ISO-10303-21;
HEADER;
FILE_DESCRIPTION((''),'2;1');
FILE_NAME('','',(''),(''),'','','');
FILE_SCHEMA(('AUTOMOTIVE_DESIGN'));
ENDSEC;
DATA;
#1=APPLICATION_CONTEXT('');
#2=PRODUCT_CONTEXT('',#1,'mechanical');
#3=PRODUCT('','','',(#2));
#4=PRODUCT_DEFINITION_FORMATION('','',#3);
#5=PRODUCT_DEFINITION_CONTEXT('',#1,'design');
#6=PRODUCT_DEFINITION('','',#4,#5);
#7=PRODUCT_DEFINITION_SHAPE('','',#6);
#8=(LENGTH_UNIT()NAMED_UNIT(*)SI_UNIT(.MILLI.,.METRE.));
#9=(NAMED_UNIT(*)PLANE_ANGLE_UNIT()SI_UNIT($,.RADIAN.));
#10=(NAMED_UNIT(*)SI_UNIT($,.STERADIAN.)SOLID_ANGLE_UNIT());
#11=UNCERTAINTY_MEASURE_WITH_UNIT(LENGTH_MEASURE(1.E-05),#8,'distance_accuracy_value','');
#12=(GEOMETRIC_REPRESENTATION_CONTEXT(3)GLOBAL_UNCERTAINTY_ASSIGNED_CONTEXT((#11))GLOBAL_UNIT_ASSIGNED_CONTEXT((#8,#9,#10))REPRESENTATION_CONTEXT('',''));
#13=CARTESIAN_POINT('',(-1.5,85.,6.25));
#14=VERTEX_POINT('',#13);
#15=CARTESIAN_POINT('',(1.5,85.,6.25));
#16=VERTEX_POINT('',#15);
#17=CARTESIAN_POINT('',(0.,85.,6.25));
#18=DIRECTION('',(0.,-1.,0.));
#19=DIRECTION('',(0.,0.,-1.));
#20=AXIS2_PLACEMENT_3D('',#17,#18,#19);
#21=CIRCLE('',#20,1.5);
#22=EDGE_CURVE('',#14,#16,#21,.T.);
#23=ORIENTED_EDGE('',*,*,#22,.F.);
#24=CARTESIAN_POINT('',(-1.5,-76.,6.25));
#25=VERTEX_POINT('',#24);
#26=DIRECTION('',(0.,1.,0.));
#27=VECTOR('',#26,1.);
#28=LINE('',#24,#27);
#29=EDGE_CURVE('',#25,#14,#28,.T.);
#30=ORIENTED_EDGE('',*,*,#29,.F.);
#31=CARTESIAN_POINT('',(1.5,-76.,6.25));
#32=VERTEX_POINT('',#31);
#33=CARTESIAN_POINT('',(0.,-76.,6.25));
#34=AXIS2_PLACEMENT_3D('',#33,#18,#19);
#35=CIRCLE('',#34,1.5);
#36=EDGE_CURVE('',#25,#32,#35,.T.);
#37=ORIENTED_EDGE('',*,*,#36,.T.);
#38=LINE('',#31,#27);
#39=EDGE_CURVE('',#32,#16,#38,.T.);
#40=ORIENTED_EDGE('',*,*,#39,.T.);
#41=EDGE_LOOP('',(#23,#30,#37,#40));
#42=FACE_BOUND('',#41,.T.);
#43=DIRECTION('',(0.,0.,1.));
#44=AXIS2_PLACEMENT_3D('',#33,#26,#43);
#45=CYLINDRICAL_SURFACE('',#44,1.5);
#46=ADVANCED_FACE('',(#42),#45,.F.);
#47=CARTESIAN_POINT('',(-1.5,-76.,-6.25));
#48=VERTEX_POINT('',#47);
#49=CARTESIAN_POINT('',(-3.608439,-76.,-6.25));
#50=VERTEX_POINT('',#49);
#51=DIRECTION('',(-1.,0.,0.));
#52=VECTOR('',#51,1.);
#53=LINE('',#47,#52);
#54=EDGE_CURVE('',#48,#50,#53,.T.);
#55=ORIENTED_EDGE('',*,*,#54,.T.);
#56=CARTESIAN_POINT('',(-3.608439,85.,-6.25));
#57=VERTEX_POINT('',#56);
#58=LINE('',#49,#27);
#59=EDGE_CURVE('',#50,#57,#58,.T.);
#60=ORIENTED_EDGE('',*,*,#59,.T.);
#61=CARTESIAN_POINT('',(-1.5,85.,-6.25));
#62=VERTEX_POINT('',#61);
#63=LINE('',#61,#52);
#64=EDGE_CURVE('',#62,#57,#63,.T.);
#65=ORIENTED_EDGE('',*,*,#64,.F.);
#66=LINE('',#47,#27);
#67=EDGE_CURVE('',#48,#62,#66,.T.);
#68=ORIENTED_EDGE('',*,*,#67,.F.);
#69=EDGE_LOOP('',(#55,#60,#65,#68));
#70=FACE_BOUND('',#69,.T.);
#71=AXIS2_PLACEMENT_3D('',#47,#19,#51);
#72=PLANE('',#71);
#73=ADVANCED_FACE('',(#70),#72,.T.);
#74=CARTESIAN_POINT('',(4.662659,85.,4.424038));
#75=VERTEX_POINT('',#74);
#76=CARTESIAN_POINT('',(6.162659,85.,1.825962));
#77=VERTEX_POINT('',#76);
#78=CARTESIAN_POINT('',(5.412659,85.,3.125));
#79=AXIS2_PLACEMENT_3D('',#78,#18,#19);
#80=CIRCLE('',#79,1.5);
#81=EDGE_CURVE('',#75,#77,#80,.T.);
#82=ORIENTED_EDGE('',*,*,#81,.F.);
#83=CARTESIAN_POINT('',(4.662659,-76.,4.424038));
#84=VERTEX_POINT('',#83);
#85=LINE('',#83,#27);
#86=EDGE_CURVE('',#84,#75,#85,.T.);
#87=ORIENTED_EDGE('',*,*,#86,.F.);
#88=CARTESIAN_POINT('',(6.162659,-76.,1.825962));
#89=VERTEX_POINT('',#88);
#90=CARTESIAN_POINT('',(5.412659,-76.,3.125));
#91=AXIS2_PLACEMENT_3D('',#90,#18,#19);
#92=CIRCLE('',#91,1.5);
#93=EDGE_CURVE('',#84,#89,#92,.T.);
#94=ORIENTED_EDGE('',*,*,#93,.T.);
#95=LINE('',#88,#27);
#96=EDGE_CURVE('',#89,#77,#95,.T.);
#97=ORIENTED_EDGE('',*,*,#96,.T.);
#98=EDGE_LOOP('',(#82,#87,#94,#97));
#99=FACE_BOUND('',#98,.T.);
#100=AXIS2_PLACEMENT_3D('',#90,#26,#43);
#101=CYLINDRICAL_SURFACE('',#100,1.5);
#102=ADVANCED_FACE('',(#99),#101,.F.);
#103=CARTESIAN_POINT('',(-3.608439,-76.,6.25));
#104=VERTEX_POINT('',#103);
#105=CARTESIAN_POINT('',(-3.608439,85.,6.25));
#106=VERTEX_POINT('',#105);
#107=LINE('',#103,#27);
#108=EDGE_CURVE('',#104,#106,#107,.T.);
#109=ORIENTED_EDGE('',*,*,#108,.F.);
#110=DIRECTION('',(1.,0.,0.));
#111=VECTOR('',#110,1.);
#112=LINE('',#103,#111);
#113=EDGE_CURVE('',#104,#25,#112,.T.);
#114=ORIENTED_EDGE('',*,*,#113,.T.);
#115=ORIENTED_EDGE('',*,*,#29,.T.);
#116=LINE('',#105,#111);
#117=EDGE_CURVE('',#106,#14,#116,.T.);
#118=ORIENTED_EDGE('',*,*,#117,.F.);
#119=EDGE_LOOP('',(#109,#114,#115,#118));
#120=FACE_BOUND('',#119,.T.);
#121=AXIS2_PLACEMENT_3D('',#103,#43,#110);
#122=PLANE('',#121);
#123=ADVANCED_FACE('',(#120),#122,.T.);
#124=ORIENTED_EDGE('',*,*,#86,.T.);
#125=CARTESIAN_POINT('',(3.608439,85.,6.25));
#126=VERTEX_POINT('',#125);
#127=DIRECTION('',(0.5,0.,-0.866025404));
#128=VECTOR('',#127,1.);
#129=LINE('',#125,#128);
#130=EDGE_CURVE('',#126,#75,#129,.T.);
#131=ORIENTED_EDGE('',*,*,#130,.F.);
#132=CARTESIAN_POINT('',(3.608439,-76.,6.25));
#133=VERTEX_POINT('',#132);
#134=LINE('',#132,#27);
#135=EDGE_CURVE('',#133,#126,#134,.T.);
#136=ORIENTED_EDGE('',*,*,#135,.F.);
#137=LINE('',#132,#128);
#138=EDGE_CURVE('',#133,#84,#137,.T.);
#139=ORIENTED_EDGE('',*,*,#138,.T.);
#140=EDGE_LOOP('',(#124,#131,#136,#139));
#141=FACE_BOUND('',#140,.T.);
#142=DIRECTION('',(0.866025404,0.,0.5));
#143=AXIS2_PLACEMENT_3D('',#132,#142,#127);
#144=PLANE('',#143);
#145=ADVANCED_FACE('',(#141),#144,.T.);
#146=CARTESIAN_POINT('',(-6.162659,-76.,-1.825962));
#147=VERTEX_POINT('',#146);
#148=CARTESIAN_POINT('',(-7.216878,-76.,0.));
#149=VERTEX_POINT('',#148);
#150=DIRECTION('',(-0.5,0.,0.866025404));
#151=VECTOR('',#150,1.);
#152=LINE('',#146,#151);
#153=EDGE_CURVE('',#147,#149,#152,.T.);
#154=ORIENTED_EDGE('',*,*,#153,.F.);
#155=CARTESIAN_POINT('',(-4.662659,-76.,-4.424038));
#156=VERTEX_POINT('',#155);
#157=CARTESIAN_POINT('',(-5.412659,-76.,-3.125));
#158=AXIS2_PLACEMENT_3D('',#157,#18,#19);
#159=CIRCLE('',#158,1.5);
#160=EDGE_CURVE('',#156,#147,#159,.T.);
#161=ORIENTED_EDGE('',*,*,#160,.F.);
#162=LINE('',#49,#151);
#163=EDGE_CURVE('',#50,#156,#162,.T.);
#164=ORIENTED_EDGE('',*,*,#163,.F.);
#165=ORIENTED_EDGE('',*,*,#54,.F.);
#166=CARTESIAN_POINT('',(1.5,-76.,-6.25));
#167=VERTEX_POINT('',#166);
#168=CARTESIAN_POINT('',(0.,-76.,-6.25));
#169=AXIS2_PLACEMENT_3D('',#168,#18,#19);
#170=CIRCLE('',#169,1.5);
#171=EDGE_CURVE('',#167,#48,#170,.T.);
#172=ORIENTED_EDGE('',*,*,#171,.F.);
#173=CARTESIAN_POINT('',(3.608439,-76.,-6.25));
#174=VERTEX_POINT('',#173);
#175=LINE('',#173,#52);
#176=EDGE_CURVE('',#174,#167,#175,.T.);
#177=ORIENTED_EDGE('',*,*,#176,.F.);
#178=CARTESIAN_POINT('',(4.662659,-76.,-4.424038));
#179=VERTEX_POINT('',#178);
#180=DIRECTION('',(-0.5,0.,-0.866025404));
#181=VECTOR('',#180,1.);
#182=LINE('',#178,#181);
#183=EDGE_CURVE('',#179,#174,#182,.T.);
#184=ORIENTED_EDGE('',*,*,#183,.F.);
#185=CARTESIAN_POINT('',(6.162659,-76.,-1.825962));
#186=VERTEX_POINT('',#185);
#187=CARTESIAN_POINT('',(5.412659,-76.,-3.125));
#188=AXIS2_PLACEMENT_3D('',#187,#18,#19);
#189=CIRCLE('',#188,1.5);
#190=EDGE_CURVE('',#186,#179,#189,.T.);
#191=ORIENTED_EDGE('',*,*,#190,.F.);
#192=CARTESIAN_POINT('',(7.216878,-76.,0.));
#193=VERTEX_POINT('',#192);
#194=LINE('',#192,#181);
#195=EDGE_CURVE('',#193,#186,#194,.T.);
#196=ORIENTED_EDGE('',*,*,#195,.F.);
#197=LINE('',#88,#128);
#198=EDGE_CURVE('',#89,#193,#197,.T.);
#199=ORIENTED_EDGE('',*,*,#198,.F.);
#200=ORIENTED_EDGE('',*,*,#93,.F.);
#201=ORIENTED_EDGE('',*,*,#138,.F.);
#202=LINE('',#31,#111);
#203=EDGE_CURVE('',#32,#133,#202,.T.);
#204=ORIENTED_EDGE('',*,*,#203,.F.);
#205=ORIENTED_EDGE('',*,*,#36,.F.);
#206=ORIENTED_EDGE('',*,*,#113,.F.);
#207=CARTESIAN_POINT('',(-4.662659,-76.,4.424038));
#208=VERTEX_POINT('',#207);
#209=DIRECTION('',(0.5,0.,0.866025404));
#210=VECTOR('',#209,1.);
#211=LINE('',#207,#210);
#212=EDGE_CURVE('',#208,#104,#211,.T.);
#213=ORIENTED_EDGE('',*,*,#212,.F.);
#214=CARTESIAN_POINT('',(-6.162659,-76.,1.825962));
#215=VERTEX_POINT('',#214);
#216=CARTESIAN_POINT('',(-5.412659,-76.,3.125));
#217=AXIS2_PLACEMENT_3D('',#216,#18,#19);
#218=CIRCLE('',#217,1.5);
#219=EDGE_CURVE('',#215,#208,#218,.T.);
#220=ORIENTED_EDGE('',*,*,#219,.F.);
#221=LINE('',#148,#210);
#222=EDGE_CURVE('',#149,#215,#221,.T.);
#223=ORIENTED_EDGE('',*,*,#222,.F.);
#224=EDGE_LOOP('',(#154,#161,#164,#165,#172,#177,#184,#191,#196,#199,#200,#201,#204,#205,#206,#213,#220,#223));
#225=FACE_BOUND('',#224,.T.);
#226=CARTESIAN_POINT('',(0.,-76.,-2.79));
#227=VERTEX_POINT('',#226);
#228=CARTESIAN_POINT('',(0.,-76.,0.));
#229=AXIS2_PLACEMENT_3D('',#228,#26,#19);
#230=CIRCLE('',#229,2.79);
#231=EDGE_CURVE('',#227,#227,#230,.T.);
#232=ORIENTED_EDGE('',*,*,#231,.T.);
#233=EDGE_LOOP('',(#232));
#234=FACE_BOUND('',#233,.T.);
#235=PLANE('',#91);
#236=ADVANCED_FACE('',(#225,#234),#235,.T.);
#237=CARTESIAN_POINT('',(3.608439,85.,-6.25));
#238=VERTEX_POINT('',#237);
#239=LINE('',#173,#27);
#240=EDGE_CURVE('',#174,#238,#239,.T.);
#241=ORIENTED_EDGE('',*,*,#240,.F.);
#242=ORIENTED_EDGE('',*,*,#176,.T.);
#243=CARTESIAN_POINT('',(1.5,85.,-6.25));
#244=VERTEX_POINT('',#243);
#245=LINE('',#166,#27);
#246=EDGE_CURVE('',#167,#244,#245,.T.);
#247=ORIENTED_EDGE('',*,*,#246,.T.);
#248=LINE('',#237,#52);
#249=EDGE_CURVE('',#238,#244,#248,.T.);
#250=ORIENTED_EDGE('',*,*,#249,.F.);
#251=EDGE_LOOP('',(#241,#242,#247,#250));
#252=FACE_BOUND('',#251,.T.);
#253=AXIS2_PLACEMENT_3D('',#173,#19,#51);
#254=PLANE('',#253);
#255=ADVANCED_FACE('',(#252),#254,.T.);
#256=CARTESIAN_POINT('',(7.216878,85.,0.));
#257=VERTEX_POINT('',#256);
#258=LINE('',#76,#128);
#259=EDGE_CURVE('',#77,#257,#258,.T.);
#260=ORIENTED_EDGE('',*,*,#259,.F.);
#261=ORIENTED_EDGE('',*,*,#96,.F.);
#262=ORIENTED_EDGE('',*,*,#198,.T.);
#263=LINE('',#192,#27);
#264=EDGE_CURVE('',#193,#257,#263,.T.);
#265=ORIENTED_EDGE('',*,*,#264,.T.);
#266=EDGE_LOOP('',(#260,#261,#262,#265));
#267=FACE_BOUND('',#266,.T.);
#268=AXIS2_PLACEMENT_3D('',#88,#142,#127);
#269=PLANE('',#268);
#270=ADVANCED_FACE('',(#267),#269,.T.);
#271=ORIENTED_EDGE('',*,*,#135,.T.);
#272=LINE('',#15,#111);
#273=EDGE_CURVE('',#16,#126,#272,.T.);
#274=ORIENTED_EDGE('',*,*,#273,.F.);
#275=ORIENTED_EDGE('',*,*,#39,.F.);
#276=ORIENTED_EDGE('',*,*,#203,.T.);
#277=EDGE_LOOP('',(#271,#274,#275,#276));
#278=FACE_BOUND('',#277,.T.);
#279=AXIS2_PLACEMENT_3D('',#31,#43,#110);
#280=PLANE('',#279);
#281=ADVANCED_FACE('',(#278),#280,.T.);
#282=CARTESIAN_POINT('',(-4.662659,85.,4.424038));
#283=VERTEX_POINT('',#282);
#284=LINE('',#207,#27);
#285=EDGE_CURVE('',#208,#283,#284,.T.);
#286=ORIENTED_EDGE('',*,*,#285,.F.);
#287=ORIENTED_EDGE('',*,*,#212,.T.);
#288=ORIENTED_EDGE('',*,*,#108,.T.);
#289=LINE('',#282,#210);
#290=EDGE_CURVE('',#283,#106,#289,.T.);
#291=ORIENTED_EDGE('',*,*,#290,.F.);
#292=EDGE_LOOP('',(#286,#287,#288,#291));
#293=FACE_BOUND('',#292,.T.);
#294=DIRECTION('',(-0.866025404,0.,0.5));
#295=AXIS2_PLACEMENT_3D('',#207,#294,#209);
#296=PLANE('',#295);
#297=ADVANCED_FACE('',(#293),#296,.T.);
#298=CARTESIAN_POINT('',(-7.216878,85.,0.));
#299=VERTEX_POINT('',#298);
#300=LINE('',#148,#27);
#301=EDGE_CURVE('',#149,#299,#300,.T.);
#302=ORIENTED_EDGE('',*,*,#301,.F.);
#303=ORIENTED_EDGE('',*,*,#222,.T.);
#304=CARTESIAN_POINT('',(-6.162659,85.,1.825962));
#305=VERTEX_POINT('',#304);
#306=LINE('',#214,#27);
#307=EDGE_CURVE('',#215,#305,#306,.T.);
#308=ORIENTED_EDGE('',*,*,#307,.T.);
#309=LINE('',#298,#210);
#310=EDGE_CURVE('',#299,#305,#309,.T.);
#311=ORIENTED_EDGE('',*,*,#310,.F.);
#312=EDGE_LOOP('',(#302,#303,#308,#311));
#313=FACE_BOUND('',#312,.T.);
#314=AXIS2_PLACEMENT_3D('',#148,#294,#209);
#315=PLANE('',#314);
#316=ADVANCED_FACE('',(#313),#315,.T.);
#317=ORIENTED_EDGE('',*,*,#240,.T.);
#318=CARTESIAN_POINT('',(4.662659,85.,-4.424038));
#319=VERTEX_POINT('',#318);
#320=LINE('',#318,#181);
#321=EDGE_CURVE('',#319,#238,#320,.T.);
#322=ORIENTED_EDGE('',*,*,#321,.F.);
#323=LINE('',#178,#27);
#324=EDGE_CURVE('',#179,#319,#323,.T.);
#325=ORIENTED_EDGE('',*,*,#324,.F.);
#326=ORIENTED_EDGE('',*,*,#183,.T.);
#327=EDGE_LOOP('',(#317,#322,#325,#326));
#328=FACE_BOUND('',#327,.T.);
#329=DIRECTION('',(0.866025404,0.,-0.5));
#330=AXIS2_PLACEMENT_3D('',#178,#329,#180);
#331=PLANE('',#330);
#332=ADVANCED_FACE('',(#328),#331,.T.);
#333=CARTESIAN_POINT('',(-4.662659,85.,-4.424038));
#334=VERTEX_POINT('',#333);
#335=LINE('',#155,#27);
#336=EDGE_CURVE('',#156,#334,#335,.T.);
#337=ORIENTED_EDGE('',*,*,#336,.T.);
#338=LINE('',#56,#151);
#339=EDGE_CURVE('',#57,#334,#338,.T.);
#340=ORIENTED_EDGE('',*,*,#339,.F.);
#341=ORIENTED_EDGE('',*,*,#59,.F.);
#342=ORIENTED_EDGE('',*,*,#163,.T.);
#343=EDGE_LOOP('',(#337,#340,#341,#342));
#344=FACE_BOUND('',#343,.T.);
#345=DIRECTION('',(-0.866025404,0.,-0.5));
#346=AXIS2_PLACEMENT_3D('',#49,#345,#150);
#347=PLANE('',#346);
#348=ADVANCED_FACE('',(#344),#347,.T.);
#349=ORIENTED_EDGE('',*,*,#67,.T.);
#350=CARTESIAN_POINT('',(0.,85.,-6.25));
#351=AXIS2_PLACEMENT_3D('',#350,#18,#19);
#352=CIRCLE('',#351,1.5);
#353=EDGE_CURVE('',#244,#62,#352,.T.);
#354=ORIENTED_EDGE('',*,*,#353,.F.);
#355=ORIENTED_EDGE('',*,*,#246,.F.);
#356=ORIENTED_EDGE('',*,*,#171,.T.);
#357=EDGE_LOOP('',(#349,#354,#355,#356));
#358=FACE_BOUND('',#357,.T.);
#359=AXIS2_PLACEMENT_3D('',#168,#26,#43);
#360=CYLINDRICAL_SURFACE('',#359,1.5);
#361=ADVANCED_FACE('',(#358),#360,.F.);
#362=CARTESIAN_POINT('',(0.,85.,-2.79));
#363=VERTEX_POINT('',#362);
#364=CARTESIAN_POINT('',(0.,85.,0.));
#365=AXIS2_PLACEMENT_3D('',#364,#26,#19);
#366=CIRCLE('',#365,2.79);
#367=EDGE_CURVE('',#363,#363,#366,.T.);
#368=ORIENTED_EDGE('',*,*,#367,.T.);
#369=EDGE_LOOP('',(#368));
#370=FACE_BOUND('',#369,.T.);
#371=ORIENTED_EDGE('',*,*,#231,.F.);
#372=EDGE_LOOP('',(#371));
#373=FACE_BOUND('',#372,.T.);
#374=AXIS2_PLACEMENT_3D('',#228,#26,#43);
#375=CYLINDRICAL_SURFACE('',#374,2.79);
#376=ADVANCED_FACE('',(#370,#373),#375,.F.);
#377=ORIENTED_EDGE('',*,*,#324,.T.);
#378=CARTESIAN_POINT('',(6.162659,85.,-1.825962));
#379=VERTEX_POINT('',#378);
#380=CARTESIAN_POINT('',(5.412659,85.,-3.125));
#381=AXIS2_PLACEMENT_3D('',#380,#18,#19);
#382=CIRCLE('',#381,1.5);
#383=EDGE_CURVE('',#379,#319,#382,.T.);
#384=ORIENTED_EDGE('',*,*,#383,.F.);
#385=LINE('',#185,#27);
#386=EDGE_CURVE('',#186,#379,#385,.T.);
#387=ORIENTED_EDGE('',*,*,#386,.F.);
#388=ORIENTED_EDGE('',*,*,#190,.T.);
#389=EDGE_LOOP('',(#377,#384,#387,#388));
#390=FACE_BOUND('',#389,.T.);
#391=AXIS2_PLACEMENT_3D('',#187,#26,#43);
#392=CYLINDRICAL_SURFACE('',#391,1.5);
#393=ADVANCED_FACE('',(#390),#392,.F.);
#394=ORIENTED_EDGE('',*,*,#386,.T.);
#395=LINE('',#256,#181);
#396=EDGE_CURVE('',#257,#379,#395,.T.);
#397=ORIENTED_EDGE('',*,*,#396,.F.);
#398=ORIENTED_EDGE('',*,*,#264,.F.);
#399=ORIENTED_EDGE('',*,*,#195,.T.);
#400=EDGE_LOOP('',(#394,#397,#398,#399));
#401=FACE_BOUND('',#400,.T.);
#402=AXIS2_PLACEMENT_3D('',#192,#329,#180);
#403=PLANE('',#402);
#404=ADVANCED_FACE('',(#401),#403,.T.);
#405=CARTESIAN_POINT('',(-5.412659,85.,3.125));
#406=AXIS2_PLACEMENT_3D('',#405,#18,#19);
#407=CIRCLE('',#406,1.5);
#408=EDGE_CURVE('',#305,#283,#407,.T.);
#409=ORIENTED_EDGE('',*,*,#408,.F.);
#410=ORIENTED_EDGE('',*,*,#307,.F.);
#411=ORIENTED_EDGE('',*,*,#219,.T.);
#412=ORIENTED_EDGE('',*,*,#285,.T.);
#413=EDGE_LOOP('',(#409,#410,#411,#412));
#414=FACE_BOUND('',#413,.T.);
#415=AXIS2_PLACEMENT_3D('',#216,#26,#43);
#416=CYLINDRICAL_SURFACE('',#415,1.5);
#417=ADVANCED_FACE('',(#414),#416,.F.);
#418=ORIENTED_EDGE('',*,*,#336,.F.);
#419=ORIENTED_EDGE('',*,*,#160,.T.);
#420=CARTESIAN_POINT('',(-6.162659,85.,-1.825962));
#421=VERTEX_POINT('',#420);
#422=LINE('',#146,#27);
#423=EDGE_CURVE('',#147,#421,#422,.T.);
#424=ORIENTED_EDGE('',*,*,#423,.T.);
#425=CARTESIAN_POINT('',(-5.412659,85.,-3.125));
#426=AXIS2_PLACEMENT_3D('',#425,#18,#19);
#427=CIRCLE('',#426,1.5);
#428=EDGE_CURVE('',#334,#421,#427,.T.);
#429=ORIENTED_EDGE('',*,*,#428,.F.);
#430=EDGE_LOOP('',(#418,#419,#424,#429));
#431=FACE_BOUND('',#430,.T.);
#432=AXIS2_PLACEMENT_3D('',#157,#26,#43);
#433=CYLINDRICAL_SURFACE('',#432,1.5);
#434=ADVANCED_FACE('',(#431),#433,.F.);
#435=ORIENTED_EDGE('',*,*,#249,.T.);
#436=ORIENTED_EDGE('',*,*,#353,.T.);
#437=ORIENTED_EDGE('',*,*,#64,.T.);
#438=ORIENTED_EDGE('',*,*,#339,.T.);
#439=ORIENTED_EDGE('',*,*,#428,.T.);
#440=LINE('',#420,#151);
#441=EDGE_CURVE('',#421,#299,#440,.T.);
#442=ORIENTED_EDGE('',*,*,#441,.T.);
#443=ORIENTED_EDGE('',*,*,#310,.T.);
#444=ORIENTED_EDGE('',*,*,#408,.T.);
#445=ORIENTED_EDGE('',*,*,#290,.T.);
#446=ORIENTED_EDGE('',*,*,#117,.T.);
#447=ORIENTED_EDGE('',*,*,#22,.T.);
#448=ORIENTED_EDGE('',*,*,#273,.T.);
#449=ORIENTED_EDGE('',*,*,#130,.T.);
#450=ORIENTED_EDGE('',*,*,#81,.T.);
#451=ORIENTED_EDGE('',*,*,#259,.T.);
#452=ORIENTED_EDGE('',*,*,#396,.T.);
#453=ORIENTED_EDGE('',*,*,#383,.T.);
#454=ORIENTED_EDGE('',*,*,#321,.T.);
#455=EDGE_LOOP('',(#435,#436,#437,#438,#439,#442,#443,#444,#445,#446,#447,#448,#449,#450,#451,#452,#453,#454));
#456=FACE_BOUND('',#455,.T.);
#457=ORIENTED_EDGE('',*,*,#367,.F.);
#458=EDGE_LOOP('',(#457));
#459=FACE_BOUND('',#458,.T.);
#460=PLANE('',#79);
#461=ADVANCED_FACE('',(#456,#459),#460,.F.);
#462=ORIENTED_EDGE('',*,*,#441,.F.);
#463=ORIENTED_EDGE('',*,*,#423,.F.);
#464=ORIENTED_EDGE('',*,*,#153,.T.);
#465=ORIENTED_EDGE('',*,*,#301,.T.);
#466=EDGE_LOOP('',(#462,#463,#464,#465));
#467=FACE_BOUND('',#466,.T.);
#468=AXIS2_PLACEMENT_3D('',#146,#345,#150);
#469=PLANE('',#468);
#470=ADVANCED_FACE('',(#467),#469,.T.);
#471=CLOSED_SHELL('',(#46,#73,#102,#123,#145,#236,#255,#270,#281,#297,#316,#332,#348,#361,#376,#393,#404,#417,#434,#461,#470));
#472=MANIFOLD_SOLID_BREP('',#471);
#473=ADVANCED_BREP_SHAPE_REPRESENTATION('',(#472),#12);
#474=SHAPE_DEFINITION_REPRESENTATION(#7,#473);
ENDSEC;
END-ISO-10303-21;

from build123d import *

# Parameters (mm, degrees)
ESBO_O1_R                = 2.79
RESSALTO_EXTRUS_O1_DEPTH = 161


with BuildPart() as part:
    # Esboço1 → Ressalto-extrusão1 (new body)
    with BuildSketch(Plane(origin=(0, 85, 0), x_dir=(1, 0, 0), z_dir=(0, 1, 0))):
        with BuildLine():
            Line((6.162658774, -1.825961894), (7.216878365, 0))
            Line((7.216878365, 0), (6.162658774, 1.825961894))
            ThreePointArc((6.162658774, 1.825961894), (4.113620668, 2.375), (4.662658774, 4.424038106))
            Line((4.662658774, 4.424038106), (3.608439182, 6.25))
            Line((3.608439182, 6.25), (1.5, 6.25))
            ThreePointArc((1.5, 6.25), (0, 4.75), (-1.5, 6.25))
            Line((-1.5, 6.25), (-3.608439182, 6.25))
            Line((-3.608439182, 6.25), (-4.662658774, 4.424038106))
            ThreePointArc((-4.662658774, 4.424038106), (-4.113620668, 2.375), (-6.162658774, 1.825961894))
            Line((-6.162658774, 1.825961894), (-7.216878365, 0))
            Line((-7.216878365, 0), (-6.162658774, -1.825961894))
            ThreePointArc((-6.162658774, -1.825961894), (-4.113620668, -2.375), (-4.662658774, -4.424038106))
            Line((-4.662658774, -4.424038106), (-3.608439182, -6.25))
            Line((-3.608439182, -6.25), (-1.5, -6.25))
            ThreePointArc((-1.5, -6.25), (0, -4.75), (1.5, -6.25))
            Line((1.5, -6.25), (3.608439182, -6.25))
            Line((3.608439182, -6.25), (4.662658774, -4.424038106))
            ThreePointArc((4.662658774, -4.424038106), (4.113620668, -2.375), (6.162658774, -1.825961894))
        make_face()
        Circle(ESBO_O1_R, mode=Mode.SUBTRACT)
    extrude(amount=-RESSALTO_EXTRUS_O1_DEPTH)


solid = part.part
